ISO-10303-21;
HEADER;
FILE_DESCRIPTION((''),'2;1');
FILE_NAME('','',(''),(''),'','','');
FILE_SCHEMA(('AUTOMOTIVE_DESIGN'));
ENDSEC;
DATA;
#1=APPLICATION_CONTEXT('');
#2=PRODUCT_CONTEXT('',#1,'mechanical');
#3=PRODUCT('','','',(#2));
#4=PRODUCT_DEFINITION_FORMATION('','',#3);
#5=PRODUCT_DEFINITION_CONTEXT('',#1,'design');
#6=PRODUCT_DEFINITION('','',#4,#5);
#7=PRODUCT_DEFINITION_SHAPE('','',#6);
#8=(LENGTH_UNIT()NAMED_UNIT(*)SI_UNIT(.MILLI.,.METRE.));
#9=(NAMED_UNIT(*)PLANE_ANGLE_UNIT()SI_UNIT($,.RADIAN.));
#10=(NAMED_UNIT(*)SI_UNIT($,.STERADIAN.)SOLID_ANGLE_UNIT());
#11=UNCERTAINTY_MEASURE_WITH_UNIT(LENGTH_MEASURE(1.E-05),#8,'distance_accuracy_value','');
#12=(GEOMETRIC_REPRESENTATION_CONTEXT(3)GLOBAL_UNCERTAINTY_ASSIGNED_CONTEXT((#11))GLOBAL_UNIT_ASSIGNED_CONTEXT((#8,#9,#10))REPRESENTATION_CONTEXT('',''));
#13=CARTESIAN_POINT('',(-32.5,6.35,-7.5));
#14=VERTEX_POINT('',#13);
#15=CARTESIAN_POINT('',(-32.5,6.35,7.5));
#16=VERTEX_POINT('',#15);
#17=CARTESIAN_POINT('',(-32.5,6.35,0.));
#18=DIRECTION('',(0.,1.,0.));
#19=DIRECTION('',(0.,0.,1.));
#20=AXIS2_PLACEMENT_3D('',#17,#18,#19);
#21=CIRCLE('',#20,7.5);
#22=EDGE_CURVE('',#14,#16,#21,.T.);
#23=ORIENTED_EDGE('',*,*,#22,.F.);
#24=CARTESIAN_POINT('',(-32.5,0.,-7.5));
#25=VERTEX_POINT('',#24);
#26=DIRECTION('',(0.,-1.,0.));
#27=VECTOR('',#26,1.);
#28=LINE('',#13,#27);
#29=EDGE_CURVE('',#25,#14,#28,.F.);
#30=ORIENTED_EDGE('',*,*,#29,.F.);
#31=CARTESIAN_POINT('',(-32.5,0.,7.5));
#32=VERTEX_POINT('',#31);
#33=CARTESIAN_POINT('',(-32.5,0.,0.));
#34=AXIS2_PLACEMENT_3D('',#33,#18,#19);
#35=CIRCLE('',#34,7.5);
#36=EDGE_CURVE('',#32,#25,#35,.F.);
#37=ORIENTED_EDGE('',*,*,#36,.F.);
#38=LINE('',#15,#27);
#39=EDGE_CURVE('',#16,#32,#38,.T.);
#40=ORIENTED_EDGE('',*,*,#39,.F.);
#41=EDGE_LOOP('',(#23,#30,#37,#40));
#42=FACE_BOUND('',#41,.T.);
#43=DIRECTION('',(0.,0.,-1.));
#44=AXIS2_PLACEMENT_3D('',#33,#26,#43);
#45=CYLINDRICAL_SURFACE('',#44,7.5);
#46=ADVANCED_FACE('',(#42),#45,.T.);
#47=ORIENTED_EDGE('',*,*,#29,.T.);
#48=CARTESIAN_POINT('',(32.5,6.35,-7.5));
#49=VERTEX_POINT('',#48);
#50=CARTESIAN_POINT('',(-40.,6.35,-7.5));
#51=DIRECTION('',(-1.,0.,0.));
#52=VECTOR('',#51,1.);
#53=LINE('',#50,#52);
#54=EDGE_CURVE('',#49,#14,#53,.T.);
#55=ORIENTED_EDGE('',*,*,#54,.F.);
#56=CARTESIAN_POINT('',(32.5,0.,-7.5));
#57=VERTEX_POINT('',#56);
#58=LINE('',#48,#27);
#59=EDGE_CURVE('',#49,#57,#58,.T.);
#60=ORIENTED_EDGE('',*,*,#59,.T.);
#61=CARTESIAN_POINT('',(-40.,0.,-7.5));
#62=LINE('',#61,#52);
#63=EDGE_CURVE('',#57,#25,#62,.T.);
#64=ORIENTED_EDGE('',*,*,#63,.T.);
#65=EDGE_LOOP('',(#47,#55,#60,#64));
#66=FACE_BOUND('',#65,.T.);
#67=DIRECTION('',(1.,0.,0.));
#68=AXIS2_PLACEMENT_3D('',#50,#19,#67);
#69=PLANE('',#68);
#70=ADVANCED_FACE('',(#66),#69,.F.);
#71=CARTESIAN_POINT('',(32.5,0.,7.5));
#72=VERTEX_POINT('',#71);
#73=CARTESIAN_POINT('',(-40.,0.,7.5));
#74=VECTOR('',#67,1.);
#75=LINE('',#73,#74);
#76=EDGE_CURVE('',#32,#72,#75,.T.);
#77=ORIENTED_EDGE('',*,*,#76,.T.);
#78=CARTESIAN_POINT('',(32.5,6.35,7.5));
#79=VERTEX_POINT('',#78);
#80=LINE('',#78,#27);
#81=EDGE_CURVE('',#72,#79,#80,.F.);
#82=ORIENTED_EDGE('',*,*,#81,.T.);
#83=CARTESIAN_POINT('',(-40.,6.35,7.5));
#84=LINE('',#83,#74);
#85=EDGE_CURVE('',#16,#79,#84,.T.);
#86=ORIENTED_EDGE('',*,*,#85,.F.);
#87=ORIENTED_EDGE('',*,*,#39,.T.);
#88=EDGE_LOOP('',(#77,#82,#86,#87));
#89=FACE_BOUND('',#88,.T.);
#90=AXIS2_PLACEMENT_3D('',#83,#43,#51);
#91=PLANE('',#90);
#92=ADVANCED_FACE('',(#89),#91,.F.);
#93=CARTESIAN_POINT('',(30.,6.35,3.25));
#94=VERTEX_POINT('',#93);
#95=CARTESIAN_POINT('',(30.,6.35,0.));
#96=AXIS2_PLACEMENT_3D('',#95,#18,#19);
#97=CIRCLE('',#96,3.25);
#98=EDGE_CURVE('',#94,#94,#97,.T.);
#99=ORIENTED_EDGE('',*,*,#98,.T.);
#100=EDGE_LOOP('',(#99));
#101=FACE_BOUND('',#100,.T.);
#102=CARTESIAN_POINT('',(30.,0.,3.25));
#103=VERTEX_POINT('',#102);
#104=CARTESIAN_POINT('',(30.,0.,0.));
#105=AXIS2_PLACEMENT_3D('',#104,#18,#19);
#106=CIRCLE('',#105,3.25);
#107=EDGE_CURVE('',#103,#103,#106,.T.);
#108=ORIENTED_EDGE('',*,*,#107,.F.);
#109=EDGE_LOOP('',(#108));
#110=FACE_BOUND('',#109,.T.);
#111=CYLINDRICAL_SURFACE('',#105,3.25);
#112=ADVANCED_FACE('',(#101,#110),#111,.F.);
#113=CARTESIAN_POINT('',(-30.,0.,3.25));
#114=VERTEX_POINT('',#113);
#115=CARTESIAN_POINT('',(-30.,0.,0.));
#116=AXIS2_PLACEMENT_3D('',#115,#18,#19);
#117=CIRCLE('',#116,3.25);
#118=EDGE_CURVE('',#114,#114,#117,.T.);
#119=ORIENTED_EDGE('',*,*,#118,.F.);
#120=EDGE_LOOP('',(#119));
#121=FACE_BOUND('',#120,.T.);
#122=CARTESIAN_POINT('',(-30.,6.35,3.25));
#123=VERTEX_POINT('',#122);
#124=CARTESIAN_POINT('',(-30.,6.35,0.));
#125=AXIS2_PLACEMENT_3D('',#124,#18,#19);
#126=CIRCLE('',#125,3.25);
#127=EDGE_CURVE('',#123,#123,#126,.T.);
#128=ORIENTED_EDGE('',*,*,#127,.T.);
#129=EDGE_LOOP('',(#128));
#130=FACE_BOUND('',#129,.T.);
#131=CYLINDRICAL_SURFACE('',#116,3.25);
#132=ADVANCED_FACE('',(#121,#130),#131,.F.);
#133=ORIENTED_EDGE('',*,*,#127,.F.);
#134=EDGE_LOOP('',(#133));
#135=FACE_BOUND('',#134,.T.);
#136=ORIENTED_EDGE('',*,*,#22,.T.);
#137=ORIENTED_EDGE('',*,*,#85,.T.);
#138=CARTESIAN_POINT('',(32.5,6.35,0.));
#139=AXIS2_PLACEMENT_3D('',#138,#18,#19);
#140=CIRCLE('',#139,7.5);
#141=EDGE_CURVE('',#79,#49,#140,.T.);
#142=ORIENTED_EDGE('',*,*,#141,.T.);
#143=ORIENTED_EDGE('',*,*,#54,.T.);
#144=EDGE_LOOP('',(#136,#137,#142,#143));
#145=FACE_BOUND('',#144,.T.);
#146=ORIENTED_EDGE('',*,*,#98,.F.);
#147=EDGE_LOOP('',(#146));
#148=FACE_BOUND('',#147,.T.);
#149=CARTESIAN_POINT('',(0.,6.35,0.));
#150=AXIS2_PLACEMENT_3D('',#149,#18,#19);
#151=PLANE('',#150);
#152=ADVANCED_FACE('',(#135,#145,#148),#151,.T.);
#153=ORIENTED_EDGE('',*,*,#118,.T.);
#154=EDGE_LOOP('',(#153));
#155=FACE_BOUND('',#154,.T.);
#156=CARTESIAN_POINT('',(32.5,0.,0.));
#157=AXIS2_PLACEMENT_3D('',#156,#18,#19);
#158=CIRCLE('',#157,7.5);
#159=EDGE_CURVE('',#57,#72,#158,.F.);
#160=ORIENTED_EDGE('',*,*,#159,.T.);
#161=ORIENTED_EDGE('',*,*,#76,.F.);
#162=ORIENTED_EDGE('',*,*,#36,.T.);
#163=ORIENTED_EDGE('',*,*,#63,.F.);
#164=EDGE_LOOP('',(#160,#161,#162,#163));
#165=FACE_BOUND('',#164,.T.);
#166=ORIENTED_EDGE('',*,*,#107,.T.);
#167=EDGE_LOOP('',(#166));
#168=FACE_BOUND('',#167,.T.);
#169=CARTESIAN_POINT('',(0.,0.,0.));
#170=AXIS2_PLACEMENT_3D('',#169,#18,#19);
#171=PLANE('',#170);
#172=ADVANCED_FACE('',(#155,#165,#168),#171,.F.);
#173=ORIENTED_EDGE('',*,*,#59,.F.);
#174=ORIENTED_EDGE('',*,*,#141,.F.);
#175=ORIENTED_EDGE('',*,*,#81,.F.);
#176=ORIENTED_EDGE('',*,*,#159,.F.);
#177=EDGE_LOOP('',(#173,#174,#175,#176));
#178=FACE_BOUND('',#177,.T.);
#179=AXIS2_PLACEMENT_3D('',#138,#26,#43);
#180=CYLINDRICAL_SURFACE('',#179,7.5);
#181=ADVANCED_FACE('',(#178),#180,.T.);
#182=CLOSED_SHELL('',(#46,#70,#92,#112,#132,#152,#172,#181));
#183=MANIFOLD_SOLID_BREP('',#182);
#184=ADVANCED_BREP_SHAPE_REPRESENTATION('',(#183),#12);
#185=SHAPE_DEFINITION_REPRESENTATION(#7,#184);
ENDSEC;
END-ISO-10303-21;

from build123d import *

# Parameters (mm, degrees)
SKETCH1_W           = 80
SKETCH1_H           = 15
BOSS_EXTRUDE1_DEPTH = 6.35
SKETCH2_R           = 3.25
CUT_EXTRUDE1_DEPTH  = 42.189470742
FILLET1_RADIUS      = 7.5
FILLET1_LENGTH      = 6.35
FILLET2_RADIUS      = 7.5
FILLET2_LENGTH      = 6.35


with BuildPart() as part:
    # Sketch1 → Boss-Extrude1 (new body)
    with BuildSketch(Plane(origin=(0, 0, 0), x_dir=(1, 0, 0), z_dir=(0, 1, 0))):
        Rectangle(SKETCH1_W, SKETCH1_H)
    extrude(amount=BOSS_EXTRUDE1_DEPTH)

    # Sketch2 → Cut-Extrude1 (cut, through all)
    with BuildSketch(Plane(origin=(0, 6.35, 0), x_dir=(1, 0, 0), z_dir=(0, 1, 0))):
        with Locations(Location((-30, 0, 0), (0, 0, 270))):
            Circle(SKETCH2_R)
        with Locations(Location((30, 0, 0), (0, 0, 270))):
            Circle(SKETCH2_R)
    extrude(amount=-CUT_EXTRUDE1_DEPTH, mode=Mode.SUBTRACT)

    # Fillet1: full round fillet: the end face becomes a half cylinder, R = half its width
    fillet1_face = Plane((-40, 3.175, 0), x_dir=(0, 1, 0), z_dir=(-1, 0, 0))  # on the end face: x along it, z out of the body
    fillet1_slab = fillet1_face.offset(-FILLET1_RADIUS / 2) * Box(FILLET1_LENGTH, 2 * FILLET1_RADIUS, FILLET1_RADIUS, mode=Mode.PRIVATE)  # the body's end, R deep
    fillet1_round = Plane((-32.5, 3.175, 0), x_dir=(-1, 0, 0), z_dir=(0, 1, 0)) * Cylinder(FILLET1_RADIUS, FILLET1_LENGTH, mode=Mode.PRIVATE)  # its axis R under the face
    add(fillet1_slab - fillet1_round, mode=Mode.SUBTRACT)

    # Fillet2: full round fillet: the end face becomes a half cylinder, R = half its width
    fillet2_face = Plane((40, 3.175, 0), x_dir=(0, -1, 0), z_dir=(1, 0, 0))  # on the end face: x along it, z out of the body
    fillet2_slab = fillet2_face.offset(-FILLET2_RADIUS / 2) * Box(FILLET2_LENGTH, 2 * FILLET2_RADIUS, FILLET2_RADIUS, mode=Mode.PRIVATE)  # the body's end, R deep
    fillet2_round = Plane((32.5, 3.175, 0), x_dir=(1, 0, 0), z_dir=(0, -1, 0)) * Cylinder(FILLET2_RADIUS, FILLET2_LENGTH, mode=Mode.PRIVATE)  # its axis R under the face
    add(fillet2_slab - fillet2_round, mode=Mode.SUBTRACT)


solid = part.part
